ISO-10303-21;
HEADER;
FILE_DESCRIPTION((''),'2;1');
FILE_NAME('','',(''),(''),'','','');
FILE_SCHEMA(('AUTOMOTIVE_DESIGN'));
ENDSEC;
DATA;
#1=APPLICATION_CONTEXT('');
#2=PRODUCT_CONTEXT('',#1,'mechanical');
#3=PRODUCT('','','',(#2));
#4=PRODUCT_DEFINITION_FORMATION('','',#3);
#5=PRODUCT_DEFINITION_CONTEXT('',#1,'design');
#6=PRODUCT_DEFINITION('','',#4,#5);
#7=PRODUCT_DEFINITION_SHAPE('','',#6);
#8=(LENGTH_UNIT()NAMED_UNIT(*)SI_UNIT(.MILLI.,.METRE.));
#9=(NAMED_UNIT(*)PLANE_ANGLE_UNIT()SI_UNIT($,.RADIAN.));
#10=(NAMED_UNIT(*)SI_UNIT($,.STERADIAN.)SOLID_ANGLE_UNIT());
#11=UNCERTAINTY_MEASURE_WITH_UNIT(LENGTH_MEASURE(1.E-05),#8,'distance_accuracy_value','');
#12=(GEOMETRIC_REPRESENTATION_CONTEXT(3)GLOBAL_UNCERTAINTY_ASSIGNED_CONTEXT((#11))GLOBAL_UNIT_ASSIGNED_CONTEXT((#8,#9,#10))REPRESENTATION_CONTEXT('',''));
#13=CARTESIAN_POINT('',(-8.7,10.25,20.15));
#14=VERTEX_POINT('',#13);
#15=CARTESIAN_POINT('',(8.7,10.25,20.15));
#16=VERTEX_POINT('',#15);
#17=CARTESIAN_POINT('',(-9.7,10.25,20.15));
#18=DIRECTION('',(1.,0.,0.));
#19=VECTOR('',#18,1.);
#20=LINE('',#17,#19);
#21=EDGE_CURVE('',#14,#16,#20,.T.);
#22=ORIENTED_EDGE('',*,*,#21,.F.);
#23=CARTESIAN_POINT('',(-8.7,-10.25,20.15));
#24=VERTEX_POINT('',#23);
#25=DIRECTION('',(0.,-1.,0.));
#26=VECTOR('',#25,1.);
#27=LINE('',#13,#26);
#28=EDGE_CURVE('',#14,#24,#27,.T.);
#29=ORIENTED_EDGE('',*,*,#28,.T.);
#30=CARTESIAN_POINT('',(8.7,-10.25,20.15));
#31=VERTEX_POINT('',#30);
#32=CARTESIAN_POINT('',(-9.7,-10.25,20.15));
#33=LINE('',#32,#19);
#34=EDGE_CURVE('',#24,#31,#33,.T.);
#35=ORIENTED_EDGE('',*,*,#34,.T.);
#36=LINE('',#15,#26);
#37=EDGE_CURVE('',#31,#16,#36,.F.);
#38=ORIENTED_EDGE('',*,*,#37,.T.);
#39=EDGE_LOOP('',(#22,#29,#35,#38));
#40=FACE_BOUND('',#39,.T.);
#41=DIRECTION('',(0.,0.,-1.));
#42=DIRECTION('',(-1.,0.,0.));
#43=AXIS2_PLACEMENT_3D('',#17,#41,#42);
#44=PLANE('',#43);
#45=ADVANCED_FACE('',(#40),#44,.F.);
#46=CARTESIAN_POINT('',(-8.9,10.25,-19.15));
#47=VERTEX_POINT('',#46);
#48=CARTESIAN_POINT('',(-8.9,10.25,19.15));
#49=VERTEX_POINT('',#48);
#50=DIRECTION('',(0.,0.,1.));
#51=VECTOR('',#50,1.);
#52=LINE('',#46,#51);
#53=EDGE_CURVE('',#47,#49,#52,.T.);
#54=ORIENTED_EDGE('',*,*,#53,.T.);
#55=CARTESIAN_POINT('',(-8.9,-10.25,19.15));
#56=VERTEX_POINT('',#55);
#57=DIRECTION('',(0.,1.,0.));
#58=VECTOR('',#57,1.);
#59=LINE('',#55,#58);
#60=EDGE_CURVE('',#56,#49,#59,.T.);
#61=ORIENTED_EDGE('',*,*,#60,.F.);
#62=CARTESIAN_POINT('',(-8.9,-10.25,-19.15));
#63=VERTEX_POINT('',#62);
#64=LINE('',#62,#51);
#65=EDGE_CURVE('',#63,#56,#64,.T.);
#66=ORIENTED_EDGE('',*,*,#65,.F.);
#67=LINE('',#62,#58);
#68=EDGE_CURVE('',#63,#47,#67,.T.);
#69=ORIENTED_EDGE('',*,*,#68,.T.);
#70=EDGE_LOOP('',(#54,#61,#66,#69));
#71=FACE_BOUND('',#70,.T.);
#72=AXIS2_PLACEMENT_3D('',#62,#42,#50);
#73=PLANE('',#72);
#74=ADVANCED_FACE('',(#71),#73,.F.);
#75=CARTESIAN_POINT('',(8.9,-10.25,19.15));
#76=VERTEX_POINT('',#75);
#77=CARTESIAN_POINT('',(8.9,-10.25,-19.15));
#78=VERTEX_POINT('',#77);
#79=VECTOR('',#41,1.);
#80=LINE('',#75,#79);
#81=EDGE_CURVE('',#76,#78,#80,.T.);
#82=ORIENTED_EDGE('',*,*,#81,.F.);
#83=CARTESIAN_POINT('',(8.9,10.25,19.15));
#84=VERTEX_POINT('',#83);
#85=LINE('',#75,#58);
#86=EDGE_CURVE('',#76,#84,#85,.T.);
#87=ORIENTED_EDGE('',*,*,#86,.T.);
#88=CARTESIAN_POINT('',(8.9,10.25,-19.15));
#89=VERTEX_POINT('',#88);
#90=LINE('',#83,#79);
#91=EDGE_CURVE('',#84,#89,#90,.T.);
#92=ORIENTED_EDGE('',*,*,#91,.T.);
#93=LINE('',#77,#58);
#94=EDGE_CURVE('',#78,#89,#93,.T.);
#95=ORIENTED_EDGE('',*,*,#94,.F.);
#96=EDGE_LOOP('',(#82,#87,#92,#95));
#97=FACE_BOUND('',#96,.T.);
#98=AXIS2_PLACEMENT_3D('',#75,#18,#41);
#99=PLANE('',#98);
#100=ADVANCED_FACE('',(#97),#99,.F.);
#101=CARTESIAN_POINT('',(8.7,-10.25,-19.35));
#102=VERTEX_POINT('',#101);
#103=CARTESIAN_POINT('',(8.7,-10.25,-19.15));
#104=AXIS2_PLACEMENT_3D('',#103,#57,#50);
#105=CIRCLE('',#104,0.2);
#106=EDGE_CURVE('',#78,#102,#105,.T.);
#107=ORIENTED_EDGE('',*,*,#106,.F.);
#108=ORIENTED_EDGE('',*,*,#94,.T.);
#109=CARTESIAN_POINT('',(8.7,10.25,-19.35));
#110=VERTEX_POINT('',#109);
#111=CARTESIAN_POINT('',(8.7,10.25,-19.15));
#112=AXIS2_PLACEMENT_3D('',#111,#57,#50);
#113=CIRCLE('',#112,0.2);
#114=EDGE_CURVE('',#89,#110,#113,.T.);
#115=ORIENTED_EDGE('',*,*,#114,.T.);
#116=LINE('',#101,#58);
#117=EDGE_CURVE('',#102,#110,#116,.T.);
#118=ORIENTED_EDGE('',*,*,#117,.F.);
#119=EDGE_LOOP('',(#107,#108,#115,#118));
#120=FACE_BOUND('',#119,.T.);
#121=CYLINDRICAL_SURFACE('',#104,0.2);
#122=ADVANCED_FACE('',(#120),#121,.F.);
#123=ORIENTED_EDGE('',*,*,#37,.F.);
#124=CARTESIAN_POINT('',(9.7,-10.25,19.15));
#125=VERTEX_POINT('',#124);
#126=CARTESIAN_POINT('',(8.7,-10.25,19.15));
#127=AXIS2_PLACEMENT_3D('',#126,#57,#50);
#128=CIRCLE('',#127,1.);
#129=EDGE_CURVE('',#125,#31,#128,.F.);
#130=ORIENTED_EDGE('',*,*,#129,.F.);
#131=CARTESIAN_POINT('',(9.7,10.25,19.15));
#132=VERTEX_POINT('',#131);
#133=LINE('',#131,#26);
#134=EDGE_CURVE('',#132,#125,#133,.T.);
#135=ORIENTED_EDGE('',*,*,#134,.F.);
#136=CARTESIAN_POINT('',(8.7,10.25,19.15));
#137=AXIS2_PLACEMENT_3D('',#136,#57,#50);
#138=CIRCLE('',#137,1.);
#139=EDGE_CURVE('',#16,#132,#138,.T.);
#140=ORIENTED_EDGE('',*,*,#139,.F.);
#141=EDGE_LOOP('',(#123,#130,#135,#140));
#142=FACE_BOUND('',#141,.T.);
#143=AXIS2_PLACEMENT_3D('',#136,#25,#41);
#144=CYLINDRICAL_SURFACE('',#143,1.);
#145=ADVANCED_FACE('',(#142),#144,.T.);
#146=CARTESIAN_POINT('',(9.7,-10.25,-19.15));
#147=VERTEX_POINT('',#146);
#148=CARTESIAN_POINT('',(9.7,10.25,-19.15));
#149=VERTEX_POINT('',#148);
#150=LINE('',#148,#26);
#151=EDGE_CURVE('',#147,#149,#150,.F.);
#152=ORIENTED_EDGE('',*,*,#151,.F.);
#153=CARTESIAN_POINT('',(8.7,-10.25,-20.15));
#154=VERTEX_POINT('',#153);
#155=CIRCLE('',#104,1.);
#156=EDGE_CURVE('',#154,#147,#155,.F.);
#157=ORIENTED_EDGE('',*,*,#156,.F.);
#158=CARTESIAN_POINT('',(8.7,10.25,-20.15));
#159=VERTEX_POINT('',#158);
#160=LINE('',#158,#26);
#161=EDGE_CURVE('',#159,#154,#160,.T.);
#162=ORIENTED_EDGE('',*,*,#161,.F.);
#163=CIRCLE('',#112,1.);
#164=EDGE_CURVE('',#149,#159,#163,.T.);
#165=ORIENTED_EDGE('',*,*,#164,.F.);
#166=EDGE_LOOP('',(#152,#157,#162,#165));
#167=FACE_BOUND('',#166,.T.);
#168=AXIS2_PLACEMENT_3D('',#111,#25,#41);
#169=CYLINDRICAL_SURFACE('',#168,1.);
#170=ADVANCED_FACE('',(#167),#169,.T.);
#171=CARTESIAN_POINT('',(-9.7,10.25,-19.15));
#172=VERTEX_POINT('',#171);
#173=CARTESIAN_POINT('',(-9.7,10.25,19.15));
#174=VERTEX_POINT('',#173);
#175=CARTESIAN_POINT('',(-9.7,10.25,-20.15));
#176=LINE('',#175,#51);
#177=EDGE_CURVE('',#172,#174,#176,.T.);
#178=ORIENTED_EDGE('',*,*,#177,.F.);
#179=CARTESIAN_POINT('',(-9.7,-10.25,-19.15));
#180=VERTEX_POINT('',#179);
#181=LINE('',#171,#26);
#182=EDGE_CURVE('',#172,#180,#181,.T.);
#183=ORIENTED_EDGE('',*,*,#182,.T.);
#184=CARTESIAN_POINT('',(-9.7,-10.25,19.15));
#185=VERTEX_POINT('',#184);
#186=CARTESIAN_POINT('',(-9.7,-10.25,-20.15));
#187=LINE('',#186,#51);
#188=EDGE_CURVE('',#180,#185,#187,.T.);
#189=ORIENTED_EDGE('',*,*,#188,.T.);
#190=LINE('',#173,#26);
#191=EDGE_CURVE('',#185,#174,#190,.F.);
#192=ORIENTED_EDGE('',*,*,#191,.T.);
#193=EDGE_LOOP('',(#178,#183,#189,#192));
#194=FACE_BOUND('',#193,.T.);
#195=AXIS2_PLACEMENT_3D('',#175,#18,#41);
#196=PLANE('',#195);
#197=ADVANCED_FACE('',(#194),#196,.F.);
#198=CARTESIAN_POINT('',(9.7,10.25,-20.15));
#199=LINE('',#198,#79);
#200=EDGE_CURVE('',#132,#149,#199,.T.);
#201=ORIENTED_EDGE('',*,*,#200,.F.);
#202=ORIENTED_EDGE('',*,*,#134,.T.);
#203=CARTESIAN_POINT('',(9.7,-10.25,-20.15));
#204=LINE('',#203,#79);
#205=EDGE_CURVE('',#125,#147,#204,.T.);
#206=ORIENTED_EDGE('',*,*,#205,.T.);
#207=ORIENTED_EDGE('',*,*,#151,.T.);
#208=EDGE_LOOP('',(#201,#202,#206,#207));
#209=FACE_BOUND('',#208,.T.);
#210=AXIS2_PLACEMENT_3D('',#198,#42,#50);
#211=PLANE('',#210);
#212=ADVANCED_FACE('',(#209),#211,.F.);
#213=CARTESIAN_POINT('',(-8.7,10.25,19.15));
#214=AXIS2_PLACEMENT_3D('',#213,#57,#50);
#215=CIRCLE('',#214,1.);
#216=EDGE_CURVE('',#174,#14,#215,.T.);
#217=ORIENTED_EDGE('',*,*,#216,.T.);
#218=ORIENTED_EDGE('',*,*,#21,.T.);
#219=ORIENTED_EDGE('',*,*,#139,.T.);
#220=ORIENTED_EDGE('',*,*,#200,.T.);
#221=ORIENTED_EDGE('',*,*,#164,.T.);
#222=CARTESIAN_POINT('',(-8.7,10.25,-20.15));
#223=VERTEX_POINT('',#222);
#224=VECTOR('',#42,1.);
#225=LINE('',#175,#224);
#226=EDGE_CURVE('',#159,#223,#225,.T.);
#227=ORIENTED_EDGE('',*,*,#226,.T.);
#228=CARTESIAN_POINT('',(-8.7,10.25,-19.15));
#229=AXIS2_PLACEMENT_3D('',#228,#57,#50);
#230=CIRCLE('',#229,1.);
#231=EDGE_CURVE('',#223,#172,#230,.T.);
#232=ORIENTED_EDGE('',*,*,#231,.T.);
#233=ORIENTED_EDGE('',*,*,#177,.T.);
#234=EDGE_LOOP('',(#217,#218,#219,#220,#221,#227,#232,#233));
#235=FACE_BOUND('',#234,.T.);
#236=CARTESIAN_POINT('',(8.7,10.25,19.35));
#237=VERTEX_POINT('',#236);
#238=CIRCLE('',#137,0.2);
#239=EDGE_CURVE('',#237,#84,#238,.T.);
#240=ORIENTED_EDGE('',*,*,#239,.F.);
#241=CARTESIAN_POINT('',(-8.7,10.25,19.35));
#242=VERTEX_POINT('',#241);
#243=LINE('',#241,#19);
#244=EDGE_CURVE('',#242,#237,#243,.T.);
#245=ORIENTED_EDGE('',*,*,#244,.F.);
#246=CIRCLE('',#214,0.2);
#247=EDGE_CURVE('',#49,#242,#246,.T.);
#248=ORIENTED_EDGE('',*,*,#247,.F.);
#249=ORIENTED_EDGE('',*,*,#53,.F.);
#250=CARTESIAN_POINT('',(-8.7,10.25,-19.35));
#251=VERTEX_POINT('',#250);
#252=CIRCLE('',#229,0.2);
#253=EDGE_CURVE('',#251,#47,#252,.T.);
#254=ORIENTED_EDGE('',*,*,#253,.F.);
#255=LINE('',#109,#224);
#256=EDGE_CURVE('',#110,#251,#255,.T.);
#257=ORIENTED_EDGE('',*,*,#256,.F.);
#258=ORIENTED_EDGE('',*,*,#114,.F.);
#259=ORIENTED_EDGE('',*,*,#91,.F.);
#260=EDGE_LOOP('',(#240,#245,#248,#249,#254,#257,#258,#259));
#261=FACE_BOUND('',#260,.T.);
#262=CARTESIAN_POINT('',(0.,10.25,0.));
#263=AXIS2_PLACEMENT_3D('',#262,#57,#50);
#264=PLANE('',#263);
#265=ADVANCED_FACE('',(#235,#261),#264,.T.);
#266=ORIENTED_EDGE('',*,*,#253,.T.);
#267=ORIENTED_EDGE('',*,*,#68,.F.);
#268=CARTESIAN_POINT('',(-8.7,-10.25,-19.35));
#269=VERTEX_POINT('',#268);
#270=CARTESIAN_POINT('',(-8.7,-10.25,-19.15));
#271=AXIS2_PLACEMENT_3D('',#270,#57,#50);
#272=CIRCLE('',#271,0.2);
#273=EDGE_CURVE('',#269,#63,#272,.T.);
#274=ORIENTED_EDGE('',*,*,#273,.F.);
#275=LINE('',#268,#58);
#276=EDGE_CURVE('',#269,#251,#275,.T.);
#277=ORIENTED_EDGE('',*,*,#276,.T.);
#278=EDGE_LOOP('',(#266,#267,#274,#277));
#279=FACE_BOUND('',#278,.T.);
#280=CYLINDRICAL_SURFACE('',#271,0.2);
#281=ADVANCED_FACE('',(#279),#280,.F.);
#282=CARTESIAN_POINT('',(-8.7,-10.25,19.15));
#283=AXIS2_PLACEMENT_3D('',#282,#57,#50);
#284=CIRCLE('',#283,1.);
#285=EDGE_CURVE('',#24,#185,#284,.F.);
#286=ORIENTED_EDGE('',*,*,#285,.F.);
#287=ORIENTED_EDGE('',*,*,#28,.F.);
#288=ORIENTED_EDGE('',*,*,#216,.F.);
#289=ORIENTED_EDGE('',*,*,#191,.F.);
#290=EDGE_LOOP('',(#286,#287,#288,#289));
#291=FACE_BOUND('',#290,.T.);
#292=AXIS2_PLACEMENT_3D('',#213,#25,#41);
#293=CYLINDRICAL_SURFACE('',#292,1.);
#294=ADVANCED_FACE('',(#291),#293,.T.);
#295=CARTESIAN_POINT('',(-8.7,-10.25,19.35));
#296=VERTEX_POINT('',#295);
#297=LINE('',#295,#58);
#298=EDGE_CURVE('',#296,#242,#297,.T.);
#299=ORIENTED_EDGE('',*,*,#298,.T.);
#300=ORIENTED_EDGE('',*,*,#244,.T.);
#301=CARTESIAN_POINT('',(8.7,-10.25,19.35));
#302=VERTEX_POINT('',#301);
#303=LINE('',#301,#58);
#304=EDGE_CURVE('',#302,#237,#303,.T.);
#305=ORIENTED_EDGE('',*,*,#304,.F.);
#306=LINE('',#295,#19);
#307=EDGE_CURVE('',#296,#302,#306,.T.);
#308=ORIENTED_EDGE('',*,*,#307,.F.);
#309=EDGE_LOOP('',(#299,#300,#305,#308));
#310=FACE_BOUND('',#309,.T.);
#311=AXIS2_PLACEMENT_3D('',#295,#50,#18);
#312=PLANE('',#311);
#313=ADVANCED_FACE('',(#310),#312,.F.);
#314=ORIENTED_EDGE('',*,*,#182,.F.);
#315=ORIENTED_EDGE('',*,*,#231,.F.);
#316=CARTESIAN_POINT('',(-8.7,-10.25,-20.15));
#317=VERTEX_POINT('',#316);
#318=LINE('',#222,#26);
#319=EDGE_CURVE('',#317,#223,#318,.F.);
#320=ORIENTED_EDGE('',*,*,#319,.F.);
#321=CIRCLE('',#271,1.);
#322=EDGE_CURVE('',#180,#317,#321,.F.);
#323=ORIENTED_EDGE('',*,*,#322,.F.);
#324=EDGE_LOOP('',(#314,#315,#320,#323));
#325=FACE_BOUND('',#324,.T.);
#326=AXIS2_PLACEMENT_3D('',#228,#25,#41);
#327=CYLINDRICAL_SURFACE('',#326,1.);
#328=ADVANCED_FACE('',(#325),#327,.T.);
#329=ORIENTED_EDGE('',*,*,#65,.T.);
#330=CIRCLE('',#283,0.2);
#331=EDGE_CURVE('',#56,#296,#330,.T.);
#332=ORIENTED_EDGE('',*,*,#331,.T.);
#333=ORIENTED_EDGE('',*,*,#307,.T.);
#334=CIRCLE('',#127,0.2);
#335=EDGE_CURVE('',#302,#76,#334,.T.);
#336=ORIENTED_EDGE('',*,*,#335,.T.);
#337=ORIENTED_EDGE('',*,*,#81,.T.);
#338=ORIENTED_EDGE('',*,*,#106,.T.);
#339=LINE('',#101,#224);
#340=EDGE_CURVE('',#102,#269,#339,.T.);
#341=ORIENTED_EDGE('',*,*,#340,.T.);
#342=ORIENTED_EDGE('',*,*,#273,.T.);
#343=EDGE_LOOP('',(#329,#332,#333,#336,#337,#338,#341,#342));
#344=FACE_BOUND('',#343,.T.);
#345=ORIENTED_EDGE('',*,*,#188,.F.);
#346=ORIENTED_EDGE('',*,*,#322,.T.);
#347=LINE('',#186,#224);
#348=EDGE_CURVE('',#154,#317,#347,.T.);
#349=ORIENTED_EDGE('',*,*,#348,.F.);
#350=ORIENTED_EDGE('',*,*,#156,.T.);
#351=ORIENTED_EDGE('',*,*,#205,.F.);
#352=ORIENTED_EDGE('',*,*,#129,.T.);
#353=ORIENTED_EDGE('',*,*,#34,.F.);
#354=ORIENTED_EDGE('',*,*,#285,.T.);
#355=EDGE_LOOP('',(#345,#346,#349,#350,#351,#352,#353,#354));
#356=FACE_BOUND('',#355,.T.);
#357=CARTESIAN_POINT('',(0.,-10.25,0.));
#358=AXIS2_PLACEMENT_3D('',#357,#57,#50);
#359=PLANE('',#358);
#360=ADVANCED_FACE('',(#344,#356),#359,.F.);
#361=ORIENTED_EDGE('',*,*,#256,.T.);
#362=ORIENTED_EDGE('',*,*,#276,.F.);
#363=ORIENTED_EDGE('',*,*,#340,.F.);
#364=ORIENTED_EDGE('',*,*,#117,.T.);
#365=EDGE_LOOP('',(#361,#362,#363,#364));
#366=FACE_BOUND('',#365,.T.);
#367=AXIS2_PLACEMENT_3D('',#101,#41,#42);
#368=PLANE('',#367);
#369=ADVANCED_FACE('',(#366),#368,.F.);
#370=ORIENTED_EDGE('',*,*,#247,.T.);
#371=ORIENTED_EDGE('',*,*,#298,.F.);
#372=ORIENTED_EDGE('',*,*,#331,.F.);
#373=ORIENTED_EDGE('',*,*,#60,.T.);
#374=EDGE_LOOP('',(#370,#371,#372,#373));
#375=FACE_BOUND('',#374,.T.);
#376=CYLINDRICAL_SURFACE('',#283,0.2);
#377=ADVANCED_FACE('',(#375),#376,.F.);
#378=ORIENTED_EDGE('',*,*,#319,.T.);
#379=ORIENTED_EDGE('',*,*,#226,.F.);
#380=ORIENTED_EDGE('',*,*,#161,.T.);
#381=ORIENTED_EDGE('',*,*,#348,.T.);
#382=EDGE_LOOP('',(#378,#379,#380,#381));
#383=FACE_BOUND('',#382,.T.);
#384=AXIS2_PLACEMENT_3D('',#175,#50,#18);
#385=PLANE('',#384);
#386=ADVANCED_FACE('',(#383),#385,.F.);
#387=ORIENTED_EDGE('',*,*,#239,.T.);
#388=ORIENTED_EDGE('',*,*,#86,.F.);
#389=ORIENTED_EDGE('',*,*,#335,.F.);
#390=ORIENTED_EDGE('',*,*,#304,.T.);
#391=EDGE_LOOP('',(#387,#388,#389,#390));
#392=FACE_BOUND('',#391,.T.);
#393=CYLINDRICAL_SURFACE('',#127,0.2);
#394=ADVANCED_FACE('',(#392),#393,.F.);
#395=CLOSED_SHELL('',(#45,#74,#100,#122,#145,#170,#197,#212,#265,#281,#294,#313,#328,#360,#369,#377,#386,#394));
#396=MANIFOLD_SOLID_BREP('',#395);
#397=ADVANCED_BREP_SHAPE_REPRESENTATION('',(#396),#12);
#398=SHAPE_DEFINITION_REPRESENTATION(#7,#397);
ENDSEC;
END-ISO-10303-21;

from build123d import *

# Parameters (mm, degrees)
BASES_W            = 19.4
BASES_H            = 40.3
BASE_DEPTH         = 10.25
BASE_F_R           = 1
CUT_EXTRUDE3_DEPTH = 31.337476823


with BuildPart() as part:
    # BaseS → BASE (new, symmetric)
    with BuildSketch(Plane(origin=(0, 0, 0), x_dir=(1, 0, 0), z_dir=(0, 1, 0))):
        Rectangle(BASES_W, BASES_H)
    extrude(amount=BASE_DEPTH, both=True)

    # BASE F
    base_f_edges = [part.edges().sort_by_distance(p)[0] for p in [
        (9.7, 0, 20.15),
        (-9.7, 0, 20.15),
        (-9.7, 0, -20.15),
        (9.7, 0, -20.15),
    ]]
    fillet(base_f_edges, radius=BASE_F_R)

    # PocketS → Cut-Extrude3 (cut, through all)
    with BuildSketch(Plane(origin=(0, 10.25, 0), x_dir=(1, 0, 0), z_dir=(0, 1, 0))):
        with BuildLine():
            Line((8.7, 19.35), (-8.7, 19.35))
            ThreePointArc((-8.7, 19.35), (-8.841421356, 19.291421356), (-8.9, 19.15))
            Line((-8.9, 19.15), (-8.9, -19.15))
            ThreePointArc((-8.9, -19.15), (-8.841421356, -19.291421356), (-8.7, -19.35))
            Line((-8.7, -19.35), (8.7, -19.35))
            ThreePointArc((8.7, -19.35), (8.841421356, -19.291421356), (8.9, -19.15))
            Line((8.9, -19.15), (8.9, 19.15))
            ThreePointArc((8.9, 19.15), (8.841421356, 19.291421356), (8.7, 19.35))
        make_face()
    extrude(amount=-CUT_EXTRUDE3_DEPTH, mode=Mode.SUBTRACT)


solid = part.part
